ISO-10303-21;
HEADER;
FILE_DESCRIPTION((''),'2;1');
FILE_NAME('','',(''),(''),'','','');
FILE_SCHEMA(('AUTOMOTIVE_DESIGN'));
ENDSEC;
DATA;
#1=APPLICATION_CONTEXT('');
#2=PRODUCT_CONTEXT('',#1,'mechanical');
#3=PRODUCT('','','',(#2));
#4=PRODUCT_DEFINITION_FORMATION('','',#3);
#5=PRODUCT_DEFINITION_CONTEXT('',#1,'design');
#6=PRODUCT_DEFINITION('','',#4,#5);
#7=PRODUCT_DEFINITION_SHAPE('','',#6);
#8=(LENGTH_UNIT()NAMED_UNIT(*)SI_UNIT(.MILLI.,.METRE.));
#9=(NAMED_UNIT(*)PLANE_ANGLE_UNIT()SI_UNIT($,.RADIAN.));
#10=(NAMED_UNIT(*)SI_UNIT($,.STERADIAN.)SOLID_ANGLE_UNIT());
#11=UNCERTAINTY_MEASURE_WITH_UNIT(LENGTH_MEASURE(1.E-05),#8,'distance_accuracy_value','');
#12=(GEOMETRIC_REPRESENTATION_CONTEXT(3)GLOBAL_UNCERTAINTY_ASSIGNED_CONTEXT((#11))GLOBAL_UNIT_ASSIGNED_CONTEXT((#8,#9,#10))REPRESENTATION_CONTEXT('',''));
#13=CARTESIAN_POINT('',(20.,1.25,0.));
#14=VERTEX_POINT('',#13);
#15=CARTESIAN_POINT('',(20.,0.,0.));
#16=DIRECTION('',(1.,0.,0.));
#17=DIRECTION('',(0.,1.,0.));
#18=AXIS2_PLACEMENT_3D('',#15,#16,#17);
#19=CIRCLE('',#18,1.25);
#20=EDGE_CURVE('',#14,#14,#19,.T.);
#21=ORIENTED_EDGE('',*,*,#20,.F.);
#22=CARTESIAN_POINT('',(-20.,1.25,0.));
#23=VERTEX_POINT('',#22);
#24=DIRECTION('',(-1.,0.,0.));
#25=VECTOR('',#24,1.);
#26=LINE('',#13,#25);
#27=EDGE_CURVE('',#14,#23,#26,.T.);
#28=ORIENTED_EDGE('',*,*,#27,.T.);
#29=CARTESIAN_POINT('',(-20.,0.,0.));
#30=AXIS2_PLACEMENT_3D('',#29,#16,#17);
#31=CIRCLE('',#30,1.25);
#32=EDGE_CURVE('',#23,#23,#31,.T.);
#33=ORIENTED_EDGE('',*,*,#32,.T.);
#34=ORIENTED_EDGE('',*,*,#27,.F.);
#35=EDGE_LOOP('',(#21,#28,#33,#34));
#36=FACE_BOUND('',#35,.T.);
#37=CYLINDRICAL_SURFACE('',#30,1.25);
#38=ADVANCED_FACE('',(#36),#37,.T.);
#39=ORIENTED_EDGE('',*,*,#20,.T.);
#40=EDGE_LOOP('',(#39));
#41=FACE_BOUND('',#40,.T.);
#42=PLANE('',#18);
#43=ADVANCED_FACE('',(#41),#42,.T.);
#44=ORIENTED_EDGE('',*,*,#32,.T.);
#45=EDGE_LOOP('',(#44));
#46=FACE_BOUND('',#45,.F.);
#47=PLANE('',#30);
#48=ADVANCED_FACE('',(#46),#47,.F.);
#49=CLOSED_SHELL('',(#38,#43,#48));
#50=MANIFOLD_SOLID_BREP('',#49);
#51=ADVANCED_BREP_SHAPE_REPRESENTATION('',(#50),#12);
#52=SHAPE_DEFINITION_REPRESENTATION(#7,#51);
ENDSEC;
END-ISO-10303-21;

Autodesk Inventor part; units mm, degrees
ref_plane "YZ Plane" through (0, 0, 0) normal (1, 0, 0) x (0, 1, 0)
ref_plane "XZ Plane" through (0, 0, 0) normal (0, 1, 0) x (-1, 0, 0)
sketch "Эскиз1" plane through (0, 0, 0) normal (0, 0, 1) x (1, 0, 0)
  line L0 (20, 1.25) -> (20, 0)
  line L1 (-20, 0) -> (20, 0)
  line L2 (-28, 0) -> (28, 0) projected
  line L3 (0, 1.5) -> (0, -0.25) projected
  line L4 (-20, 1.25) -> (-20, 0)
  line L5 (0, 1.25) -> (0, 0) construction
  line L6 (-28, 0) -> (28, 0) projected
  line L7 (-20, 1.25) -> (20, 1.25)
  dimension "d13" = 2.5
  dimension "d87" = 40
  dimension "d88" = 20
revolve "Базовый элемент" add sketch "Эскиз1" angle 360 about axis through (-20, 0, 0) along (1, 0, 0)
thread "Резьба1" size "M2.5x0.45" class "6g" standard "ISO Metric profile" length 40
ref_plane "Work Plane1" through (2.75, 0, 0) normal (0, -1, 0) x (1, 0, 0)
equation "\"d13\" = NND"
equation "\"d87\" = NLG"
equation "\"d88\" = 0.5 * NLG"
equation "\"d1\" = GEL"
equation "\"NLG\" = 40"
equation "\"GEL\" = NLG"
equation "\"GAL\" = 0.61345 * PTC"
equation "\"SPD\" = 1.84"
equation "\"d0\" = NND"
equation "\"GUL\" = 0.61345 * PTC"
equation "\"NND\" = 2.5"
equation "\"GUL1\" = GUL"
equation "\"GAL1\" = GAL"
equation "\"d89\" = -GEL + GUL1"
equation "\"d90\" = -GUL - GEL"
equation "\"PTC\" = 0.45"
equation "\"THREADDIA\" = 2.5"
equation "\"TOA\" = 30deg"
equation "\"GD1\" = THREADDIA - 1.2269 * PTC"
properties part number "DIN 976-1 - M2,5 x 40 - A" material "Сталь, мягкая"
